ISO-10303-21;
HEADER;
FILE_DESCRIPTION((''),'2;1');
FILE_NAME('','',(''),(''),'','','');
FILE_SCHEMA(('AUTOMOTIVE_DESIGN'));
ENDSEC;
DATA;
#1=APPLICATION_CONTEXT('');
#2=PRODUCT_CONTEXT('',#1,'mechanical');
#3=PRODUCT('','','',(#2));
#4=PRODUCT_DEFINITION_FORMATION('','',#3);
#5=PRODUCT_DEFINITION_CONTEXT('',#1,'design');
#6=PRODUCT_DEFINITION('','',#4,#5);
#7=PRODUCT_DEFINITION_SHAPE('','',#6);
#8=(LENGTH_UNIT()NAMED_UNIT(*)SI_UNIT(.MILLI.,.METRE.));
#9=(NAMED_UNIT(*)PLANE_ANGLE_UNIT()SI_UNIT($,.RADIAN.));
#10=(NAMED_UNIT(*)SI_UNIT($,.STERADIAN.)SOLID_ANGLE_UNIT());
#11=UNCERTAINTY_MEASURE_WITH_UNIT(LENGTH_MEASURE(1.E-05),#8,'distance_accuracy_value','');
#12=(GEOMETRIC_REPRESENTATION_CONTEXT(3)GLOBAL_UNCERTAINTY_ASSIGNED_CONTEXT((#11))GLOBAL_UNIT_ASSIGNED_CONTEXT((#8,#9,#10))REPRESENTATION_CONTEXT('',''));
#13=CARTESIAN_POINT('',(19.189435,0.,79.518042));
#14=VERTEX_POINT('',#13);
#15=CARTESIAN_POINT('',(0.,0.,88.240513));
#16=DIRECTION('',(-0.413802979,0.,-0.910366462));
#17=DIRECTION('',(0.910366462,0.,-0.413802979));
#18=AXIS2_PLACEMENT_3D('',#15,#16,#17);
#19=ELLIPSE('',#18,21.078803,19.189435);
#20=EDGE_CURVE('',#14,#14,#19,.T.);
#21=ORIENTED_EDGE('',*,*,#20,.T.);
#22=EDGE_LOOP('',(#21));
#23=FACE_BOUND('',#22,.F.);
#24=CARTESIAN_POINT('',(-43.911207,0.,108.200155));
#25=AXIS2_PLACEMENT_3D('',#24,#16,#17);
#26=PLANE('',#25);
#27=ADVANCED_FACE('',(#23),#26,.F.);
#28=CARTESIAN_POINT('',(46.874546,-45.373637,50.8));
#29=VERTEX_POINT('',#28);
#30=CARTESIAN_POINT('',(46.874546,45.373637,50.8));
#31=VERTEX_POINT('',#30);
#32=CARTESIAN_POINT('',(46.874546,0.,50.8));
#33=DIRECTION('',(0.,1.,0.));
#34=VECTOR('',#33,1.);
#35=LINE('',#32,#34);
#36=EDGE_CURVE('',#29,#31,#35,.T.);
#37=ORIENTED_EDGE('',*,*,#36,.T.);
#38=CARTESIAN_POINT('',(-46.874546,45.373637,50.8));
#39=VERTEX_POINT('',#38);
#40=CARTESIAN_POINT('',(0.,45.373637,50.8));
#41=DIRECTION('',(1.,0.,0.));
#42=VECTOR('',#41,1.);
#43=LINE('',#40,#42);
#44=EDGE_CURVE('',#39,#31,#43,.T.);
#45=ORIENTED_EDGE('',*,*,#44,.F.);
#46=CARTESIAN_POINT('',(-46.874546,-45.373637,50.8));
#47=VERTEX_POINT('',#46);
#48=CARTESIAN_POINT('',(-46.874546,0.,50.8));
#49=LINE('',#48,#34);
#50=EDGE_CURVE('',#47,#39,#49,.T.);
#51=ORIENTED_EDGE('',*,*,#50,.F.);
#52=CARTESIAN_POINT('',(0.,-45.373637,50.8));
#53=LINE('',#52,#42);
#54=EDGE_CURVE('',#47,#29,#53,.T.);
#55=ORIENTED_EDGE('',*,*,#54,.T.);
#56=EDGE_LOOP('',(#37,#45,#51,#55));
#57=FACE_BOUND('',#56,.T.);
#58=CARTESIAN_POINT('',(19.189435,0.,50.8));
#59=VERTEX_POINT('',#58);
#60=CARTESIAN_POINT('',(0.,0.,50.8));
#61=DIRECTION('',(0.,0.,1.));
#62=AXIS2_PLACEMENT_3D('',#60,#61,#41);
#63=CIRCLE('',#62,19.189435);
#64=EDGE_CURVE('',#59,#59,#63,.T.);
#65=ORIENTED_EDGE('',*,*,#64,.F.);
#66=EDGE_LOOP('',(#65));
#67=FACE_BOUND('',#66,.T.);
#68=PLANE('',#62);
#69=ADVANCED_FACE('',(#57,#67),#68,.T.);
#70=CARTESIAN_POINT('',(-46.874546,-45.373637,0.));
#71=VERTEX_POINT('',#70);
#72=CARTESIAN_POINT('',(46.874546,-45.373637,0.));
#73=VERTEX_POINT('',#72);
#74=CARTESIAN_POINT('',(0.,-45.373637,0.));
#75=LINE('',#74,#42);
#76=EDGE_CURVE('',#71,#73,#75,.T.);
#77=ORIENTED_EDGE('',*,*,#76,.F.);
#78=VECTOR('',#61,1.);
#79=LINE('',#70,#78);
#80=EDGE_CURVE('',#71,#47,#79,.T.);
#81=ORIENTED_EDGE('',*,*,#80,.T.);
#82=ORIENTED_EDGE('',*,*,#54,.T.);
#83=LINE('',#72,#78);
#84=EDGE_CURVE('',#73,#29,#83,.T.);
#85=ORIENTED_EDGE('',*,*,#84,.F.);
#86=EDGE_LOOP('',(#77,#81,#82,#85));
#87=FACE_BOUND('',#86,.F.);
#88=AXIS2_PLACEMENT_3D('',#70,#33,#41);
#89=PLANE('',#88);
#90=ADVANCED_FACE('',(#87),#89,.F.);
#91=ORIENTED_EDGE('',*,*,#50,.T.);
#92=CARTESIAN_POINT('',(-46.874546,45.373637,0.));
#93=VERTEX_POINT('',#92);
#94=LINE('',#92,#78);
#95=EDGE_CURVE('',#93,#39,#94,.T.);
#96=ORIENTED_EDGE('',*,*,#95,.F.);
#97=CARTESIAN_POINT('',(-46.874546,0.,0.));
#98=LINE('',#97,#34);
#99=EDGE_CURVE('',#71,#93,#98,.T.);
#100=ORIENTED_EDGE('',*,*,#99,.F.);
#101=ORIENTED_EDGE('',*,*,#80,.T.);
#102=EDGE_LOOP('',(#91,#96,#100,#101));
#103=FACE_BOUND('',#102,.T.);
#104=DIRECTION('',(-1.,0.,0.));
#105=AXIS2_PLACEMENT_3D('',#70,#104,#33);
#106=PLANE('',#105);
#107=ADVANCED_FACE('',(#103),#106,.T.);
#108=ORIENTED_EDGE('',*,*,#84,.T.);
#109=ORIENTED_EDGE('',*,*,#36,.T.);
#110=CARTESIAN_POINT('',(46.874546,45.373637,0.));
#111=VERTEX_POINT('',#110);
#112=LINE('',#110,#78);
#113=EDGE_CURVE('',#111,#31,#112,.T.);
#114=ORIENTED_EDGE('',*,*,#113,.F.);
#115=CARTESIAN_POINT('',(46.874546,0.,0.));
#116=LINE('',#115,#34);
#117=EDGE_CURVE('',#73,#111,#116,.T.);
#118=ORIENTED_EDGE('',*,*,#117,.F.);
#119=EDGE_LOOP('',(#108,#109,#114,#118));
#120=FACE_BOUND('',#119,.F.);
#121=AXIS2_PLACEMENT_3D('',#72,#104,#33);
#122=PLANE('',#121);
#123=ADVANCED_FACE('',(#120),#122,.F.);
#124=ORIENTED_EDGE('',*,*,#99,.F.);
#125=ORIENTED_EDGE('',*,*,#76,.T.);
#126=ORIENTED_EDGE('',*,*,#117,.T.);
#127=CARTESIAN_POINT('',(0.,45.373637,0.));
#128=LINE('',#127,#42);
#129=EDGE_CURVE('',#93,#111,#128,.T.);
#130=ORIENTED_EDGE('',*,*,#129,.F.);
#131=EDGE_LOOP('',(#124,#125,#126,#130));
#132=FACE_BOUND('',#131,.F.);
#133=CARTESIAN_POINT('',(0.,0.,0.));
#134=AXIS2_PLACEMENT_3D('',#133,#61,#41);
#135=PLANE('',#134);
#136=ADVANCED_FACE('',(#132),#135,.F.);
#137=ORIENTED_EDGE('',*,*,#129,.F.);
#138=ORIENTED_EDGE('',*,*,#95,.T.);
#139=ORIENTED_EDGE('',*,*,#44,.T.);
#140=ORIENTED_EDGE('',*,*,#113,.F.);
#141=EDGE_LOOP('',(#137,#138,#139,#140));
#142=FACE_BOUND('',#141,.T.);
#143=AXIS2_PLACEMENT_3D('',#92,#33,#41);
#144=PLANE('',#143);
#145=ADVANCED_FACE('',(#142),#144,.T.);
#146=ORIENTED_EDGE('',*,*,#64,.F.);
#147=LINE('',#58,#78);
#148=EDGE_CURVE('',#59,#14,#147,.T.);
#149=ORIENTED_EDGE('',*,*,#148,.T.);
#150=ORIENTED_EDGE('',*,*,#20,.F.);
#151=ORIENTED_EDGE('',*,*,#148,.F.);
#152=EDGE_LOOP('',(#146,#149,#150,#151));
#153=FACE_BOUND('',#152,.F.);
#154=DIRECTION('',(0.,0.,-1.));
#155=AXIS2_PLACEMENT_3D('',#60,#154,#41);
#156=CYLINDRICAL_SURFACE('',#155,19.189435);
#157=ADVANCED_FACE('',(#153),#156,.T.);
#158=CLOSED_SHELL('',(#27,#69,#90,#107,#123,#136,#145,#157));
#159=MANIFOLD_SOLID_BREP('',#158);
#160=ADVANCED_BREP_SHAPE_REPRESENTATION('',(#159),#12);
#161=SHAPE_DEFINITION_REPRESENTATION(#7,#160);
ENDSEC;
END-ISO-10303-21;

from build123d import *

# Parameters (mm, degrees)
F0_W     = 93.749092
F0_H     = 90.747274
F1_DEPTH = 50.8
F2_R     = 19.189435
F3_DEPTH = 50.8
F5_DEPTH = 67.564


with BuildPart() as f1:
    # F0 (on Top) → F1 (new body)
    with BuildSketch(Plane.XY):
        Rectangle(F0_W, F0_H)
    extrude(amount=F1_DEPTH)

    # F2 (on face) → F3 (join)
    with BuildSketch(Plane.XY.offset(50.8)):
        Circle(F2_R)
    extrude(amount=F3_DEPTH)

    # F4 (on Front) → F5 (cut, symmetric)
    with BuildSketch(Plane.XZ):
        Polygon((59.805457, 108.200155), (-43.911207, 108.200155), (59.805457, 61.056212), align=None)
    extrude(amount=F5_DEPTH, both=True, mode=Mode.SUBTRACT)


solid = f1.part
